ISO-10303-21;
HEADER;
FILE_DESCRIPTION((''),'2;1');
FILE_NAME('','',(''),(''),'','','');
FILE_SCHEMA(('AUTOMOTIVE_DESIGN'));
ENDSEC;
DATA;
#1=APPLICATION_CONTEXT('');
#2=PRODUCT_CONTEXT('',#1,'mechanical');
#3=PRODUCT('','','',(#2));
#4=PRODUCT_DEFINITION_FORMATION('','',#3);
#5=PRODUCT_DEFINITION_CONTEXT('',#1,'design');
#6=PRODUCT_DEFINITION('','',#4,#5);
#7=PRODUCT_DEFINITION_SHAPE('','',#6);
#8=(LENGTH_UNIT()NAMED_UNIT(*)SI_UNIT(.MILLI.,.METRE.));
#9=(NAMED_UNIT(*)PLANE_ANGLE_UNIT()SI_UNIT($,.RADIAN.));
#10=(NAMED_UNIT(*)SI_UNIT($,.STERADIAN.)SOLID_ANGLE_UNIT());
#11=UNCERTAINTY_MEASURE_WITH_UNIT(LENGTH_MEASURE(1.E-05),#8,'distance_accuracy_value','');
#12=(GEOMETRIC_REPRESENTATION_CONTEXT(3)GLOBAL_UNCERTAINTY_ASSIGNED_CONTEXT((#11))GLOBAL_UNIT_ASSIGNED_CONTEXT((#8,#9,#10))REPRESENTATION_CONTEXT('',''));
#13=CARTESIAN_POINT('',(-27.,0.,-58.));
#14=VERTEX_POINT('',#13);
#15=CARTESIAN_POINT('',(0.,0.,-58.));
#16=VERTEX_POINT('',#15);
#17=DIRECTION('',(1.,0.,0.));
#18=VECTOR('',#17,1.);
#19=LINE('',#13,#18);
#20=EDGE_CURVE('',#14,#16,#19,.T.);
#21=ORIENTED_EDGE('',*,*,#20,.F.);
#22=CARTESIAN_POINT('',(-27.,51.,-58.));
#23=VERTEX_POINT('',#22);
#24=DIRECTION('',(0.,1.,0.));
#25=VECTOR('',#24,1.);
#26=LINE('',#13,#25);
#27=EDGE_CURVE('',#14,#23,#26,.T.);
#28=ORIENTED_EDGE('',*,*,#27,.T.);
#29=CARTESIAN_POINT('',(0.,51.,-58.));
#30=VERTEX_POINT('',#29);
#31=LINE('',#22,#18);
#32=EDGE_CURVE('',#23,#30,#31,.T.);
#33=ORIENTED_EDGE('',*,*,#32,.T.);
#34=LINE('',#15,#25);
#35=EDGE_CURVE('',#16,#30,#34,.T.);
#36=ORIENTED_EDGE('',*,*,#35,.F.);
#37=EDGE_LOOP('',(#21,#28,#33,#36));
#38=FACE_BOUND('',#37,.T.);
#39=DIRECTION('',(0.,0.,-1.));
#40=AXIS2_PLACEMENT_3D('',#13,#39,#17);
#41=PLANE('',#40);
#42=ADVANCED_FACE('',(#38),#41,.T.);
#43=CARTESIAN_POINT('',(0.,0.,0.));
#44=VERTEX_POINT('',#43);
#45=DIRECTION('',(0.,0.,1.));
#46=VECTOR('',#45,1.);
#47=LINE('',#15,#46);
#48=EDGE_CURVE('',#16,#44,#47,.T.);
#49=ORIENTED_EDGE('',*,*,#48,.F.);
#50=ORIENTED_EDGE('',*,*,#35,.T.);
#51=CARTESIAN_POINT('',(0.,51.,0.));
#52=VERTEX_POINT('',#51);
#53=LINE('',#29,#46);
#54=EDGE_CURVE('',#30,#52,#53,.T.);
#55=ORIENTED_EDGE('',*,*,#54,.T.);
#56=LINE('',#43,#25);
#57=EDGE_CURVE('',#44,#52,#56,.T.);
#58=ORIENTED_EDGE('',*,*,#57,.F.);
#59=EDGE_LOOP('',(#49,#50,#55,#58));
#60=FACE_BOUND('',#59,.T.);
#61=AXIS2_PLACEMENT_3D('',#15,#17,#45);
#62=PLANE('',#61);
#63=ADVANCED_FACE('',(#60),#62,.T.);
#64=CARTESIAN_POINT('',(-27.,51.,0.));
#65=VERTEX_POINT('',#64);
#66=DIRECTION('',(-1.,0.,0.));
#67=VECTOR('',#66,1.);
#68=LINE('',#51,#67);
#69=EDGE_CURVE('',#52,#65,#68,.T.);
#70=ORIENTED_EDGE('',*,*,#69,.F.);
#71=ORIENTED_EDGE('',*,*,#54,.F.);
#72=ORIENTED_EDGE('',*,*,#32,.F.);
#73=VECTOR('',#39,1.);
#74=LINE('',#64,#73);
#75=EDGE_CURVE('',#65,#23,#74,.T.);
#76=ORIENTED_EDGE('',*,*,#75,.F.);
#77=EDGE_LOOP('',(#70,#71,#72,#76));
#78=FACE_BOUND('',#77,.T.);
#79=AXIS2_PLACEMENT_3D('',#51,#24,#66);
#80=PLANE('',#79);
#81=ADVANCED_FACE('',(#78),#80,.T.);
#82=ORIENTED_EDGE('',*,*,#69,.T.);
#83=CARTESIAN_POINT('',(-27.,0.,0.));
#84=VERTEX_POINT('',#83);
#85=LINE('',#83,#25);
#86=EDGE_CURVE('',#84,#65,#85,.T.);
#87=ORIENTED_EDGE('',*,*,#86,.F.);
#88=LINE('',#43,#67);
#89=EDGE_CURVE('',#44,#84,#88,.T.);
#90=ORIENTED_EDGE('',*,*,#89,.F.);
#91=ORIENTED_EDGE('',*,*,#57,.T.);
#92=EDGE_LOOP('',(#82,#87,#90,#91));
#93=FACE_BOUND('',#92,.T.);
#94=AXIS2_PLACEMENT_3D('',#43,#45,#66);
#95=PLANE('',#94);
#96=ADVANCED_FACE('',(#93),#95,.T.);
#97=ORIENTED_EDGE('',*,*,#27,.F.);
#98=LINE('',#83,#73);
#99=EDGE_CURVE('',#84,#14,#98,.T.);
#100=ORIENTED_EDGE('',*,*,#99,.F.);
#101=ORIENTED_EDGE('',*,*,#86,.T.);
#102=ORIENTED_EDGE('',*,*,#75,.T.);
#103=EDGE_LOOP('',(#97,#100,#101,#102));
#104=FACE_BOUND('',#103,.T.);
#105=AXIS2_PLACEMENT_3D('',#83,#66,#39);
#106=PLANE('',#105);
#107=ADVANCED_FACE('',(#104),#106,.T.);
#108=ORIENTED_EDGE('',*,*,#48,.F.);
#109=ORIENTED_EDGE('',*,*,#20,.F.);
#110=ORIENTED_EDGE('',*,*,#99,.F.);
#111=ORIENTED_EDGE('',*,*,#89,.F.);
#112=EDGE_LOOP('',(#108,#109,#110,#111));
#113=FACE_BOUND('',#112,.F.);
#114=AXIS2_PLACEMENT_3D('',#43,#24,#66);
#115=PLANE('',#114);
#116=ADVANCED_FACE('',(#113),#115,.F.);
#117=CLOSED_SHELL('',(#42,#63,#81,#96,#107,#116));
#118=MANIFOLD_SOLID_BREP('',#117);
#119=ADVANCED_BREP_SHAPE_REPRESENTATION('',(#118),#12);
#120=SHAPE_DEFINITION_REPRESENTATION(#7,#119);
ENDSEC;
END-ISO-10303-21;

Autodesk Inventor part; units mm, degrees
ref_plane "YZ Plane" through (0, 0, 0) normal (1, 0, 0) x (0, 1, 0)
ref_plane "XZ Plane" through (0, 0, 0) normal (0, 1, 0) x (-1, 0, 0)
ref_plane "XY Plane" through (0, 0, 0) normal (0, 0, 1) x (1, 0, 0)
sketch "Sketch1" plane through (0, 0, 0) normal (0, 1, 0) x (-1, 0, 0)
  line L0 (0, 0) -> (27, 0)
  line L1 (27, 0) -> (27, -58)
  line L2 (27, -58) -> (0, -58)
  line L3 (0, -58) -> (0, 0)
  dimension "d0" = 58
  dimension "d1" = 27
extrude "Extrusion1" add sketch "Sketch1" along normal blind 51
properties part number "battery"
